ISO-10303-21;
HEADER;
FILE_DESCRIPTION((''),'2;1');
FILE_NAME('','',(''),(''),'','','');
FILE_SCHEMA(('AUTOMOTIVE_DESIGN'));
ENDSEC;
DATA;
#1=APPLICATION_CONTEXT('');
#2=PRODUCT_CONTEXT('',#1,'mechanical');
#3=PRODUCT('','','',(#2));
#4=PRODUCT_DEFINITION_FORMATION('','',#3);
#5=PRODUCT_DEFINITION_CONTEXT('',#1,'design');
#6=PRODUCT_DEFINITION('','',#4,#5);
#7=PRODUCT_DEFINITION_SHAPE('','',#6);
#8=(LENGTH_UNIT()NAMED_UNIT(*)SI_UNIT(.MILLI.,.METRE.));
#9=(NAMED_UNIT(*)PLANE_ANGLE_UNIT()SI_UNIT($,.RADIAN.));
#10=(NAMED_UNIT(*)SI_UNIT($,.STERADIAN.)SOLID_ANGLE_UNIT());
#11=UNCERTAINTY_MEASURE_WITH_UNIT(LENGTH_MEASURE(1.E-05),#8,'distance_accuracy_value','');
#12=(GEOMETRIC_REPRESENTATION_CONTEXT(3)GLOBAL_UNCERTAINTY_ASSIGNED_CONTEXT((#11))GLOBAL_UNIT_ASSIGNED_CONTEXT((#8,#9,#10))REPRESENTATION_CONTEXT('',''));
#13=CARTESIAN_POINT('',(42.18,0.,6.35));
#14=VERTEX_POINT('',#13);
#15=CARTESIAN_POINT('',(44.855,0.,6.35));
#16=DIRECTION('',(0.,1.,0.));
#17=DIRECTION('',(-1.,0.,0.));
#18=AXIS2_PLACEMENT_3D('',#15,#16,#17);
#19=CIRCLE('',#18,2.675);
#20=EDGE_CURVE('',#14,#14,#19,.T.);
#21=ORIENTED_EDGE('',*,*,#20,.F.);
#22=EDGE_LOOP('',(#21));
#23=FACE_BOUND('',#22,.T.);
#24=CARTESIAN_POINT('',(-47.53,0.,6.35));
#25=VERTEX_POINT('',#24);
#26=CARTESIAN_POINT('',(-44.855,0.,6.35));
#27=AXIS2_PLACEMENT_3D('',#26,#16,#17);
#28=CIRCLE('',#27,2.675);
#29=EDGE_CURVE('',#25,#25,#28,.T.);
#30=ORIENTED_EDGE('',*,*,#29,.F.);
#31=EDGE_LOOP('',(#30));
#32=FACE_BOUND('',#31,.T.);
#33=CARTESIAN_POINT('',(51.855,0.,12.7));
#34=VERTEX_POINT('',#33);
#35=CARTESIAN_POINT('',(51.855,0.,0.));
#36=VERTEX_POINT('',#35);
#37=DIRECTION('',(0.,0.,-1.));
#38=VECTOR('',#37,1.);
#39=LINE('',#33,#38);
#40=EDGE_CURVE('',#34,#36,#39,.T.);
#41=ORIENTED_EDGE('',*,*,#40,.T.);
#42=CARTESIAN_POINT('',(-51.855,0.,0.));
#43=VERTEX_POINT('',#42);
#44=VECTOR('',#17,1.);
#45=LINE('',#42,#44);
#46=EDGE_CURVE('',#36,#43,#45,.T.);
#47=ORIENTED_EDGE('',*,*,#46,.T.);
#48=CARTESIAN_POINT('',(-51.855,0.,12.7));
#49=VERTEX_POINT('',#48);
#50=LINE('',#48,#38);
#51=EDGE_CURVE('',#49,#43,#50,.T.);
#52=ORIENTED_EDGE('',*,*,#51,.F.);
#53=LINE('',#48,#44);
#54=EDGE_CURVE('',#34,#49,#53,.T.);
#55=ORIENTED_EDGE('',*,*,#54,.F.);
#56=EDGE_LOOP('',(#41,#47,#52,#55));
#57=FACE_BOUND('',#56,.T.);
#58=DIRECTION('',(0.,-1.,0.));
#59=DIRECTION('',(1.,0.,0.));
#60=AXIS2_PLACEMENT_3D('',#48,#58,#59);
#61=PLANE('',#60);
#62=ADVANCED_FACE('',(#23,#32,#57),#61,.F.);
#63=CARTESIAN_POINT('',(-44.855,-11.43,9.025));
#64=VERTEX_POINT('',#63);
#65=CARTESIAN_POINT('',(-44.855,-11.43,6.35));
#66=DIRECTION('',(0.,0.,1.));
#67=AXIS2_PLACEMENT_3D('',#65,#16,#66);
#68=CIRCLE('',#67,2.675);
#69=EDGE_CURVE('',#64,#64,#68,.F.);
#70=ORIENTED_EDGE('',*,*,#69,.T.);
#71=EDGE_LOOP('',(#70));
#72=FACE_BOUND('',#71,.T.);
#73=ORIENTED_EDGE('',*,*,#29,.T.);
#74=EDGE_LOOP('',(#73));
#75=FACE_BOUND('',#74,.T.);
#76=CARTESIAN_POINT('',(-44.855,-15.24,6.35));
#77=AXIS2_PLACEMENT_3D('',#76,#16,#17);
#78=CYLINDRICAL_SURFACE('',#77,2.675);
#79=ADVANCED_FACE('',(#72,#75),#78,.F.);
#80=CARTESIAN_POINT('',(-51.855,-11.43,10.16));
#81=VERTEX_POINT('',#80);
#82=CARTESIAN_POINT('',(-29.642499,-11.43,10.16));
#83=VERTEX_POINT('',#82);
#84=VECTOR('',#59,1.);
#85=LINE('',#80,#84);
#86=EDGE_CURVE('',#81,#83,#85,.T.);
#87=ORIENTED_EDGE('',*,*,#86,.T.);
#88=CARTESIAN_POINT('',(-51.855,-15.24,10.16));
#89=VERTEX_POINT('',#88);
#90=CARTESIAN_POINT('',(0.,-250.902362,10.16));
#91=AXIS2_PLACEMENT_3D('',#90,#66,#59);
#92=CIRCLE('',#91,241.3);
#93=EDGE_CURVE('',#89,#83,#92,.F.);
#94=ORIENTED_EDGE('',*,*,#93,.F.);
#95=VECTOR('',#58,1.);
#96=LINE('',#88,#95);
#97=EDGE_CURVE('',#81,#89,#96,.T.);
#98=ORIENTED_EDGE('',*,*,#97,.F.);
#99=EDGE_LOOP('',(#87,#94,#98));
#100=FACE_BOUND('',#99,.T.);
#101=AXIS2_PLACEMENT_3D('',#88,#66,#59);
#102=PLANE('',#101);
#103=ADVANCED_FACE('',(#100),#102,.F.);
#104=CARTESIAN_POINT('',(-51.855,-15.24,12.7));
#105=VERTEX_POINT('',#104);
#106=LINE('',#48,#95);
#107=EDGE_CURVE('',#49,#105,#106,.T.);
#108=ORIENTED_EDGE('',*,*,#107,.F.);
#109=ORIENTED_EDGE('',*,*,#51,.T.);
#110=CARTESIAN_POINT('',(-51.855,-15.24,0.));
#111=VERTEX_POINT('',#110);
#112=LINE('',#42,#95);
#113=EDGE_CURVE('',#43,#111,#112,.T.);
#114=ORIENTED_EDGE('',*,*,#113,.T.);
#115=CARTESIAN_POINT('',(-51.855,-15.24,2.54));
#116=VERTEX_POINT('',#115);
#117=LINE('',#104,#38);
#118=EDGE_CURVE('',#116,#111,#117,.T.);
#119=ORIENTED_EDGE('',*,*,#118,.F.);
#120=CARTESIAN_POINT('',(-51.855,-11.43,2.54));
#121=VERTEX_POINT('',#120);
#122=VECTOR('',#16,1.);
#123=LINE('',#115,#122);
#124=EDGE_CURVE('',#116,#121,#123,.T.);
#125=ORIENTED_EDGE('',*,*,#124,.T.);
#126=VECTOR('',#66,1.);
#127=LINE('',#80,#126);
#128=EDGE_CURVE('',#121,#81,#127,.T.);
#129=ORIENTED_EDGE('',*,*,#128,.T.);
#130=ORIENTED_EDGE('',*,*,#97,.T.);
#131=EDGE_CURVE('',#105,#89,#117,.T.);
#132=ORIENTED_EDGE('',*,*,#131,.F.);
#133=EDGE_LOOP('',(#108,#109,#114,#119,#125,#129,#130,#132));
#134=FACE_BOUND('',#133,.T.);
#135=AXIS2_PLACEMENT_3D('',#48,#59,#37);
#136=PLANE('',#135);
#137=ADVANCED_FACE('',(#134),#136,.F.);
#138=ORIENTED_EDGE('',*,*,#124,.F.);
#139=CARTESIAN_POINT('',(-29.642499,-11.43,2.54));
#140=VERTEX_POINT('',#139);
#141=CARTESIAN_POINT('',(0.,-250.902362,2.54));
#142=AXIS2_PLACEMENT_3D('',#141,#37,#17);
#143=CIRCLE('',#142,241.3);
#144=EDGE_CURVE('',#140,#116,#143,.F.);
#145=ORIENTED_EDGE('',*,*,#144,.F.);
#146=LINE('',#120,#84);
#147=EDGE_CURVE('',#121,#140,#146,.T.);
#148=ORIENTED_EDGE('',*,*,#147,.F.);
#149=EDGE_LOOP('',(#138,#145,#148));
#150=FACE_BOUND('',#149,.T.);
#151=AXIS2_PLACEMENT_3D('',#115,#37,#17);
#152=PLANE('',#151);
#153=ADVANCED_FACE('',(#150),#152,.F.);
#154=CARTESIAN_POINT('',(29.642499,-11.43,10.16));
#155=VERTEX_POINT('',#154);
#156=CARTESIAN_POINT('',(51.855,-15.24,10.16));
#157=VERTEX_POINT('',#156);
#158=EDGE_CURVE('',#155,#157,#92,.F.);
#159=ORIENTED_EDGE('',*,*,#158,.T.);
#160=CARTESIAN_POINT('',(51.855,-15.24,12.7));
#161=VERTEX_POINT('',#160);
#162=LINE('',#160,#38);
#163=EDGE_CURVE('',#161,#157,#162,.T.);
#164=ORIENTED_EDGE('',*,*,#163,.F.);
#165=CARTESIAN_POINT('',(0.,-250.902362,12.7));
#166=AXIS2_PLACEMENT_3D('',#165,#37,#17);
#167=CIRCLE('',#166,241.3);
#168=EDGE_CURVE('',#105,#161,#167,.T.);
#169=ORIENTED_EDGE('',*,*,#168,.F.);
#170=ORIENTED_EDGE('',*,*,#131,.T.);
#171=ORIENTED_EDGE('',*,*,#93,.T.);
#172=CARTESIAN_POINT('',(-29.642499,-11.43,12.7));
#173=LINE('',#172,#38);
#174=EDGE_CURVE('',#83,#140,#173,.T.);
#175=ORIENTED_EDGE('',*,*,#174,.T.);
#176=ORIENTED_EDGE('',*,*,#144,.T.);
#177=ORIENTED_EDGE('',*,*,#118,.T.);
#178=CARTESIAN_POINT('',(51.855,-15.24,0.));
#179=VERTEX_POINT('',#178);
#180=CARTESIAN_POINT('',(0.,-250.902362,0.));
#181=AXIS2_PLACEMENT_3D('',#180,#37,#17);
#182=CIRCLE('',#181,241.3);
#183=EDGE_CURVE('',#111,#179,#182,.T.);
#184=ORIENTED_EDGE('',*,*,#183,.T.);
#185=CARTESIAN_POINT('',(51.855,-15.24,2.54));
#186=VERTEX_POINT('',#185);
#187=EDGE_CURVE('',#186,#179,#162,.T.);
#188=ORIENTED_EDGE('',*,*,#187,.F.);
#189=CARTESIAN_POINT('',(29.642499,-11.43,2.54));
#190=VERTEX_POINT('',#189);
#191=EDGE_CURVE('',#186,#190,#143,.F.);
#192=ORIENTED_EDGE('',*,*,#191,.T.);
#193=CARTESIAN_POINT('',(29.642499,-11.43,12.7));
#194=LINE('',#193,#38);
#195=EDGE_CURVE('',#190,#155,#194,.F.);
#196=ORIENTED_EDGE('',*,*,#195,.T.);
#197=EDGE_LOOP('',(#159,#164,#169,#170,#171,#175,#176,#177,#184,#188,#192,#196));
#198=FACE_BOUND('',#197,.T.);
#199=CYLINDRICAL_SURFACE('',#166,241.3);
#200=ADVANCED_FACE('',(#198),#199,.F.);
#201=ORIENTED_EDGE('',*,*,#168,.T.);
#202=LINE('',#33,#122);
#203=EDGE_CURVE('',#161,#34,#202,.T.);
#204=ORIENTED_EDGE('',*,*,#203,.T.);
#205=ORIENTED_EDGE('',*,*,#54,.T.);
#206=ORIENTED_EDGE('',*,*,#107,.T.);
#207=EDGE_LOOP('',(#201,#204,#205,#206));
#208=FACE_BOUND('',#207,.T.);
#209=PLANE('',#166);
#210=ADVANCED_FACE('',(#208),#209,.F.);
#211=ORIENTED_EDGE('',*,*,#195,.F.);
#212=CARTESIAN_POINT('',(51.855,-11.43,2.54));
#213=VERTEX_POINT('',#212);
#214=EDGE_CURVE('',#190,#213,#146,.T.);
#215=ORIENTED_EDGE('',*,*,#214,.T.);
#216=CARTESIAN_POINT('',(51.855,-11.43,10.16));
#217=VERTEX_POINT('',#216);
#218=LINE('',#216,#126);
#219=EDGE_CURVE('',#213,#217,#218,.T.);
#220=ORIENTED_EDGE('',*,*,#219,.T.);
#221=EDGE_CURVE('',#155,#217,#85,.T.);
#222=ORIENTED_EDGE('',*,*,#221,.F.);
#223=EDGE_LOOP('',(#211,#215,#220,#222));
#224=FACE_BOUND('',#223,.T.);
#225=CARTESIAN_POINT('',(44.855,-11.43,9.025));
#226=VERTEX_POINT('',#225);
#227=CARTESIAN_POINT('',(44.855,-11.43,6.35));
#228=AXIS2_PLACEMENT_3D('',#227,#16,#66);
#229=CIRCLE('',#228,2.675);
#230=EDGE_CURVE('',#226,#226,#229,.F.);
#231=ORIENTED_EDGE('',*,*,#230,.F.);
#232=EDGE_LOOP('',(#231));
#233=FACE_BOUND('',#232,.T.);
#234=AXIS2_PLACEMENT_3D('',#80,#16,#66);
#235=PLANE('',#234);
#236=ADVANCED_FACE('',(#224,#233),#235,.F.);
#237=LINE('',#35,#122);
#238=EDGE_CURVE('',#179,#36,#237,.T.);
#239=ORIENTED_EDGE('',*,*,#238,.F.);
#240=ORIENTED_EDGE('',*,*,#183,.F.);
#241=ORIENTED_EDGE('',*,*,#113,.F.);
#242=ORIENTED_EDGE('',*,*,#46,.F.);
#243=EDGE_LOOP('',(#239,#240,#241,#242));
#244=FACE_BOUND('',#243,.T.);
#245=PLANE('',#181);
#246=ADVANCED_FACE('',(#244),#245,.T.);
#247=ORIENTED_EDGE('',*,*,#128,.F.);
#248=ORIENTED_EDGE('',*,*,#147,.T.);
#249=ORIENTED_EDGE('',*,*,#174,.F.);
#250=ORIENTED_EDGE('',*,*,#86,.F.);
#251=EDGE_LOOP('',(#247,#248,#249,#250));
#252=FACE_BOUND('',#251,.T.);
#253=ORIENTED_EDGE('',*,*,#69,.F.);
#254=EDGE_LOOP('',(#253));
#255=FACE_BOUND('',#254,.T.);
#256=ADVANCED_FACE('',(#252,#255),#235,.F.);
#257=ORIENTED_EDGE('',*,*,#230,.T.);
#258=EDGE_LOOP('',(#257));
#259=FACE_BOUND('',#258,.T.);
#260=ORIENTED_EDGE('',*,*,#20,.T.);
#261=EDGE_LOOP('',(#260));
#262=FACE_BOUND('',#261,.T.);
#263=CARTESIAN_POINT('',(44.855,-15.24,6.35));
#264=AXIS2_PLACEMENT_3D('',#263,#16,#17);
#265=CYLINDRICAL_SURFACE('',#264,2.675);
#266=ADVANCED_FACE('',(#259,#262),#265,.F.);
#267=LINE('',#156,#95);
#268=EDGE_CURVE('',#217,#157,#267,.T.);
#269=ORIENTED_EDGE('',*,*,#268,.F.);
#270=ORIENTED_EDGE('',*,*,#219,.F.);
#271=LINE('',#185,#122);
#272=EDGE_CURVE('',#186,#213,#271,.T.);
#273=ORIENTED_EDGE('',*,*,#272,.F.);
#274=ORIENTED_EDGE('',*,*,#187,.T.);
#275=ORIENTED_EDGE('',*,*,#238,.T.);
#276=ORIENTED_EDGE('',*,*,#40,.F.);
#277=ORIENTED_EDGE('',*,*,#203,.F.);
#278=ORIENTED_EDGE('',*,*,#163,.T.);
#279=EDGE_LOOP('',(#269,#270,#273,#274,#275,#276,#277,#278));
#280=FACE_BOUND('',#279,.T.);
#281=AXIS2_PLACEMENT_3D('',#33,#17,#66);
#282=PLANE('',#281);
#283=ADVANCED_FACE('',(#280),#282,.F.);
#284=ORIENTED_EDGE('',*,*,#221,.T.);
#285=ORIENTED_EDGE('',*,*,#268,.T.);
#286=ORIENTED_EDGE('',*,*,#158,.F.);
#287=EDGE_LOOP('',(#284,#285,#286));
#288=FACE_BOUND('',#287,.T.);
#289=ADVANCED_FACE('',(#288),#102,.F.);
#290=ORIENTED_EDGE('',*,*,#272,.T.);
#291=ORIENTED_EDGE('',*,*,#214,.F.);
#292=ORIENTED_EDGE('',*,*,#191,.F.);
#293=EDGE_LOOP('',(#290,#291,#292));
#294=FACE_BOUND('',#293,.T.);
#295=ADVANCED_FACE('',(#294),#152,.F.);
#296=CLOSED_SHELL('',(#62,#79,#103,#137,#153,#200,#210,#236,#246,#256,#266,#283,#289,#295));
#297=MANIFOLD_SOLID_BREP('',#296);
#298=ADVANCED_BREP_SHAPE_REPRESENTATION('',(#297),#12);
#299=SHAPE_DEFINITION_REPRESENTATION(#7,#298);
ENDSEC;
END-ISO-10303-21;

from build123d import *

# Parameters (mm, degrees)
BOSS_EXTRUDE1_DEPTH = 12.7
SKETCH2_R           = 2.675
CUT_EXTRUDE1_DEPTH  = 16.24
SKETCH3_W           = 7.62
SKETCH3_H           = 3.81
CUT_EXTRUDE2_DEPTH  = 104.7100001


with BuildPart() as part:
    # Sketch1 → Boss-Extrude1 (new body)
    with BuildSketch(Plane.XY):
        with BuildLine():
            Line((-51.855, 0), (51.855, 0))
            Line((51.855, 0), (51.855, -15.24))
            ThreePointArc((51.855, -15.24), (0, -9.602362237), (-51.855, -15.24))
            Line((-51.855, -15.24), (-51.855, 0))
        make_face()
    extrude(amount=BOSS_EXTRUDE1_DEPTH)

    # Sketch2 → Cut-Extrude1 (cut, through all)
    with BuildSketch(Plane(origin=(0, 0, 0), x_dir=(1, 0, 0), z_dir=(0, 1, 0))):
        with Locations((-44.855, -6.35)):
            Circle(SKETCH2_R)
        with Locations((44.855, -6.35)):
            Circle(SKETCH2_R)
    extrude(amount=-CUT_EXTRUDE1_DEPTH, mode=Mode.SUBTRACT)

    # Sketch3 → Cut-Extrude2 (cut, through all)
    with BuildSketch(Plane(origin=(51.855, 0, 0), x_dir=(0, 0, -1), z_dir=(1, 0, 0))):
        with Locations((-6.35, -13.335)):
            Rectangle(SKETCH3_W, SKETCH3_H)
    extrude(amount=-CUT_EXTRUDE2_DEPTH, mode=Mode.SUBTRACT)


solid = part.part
